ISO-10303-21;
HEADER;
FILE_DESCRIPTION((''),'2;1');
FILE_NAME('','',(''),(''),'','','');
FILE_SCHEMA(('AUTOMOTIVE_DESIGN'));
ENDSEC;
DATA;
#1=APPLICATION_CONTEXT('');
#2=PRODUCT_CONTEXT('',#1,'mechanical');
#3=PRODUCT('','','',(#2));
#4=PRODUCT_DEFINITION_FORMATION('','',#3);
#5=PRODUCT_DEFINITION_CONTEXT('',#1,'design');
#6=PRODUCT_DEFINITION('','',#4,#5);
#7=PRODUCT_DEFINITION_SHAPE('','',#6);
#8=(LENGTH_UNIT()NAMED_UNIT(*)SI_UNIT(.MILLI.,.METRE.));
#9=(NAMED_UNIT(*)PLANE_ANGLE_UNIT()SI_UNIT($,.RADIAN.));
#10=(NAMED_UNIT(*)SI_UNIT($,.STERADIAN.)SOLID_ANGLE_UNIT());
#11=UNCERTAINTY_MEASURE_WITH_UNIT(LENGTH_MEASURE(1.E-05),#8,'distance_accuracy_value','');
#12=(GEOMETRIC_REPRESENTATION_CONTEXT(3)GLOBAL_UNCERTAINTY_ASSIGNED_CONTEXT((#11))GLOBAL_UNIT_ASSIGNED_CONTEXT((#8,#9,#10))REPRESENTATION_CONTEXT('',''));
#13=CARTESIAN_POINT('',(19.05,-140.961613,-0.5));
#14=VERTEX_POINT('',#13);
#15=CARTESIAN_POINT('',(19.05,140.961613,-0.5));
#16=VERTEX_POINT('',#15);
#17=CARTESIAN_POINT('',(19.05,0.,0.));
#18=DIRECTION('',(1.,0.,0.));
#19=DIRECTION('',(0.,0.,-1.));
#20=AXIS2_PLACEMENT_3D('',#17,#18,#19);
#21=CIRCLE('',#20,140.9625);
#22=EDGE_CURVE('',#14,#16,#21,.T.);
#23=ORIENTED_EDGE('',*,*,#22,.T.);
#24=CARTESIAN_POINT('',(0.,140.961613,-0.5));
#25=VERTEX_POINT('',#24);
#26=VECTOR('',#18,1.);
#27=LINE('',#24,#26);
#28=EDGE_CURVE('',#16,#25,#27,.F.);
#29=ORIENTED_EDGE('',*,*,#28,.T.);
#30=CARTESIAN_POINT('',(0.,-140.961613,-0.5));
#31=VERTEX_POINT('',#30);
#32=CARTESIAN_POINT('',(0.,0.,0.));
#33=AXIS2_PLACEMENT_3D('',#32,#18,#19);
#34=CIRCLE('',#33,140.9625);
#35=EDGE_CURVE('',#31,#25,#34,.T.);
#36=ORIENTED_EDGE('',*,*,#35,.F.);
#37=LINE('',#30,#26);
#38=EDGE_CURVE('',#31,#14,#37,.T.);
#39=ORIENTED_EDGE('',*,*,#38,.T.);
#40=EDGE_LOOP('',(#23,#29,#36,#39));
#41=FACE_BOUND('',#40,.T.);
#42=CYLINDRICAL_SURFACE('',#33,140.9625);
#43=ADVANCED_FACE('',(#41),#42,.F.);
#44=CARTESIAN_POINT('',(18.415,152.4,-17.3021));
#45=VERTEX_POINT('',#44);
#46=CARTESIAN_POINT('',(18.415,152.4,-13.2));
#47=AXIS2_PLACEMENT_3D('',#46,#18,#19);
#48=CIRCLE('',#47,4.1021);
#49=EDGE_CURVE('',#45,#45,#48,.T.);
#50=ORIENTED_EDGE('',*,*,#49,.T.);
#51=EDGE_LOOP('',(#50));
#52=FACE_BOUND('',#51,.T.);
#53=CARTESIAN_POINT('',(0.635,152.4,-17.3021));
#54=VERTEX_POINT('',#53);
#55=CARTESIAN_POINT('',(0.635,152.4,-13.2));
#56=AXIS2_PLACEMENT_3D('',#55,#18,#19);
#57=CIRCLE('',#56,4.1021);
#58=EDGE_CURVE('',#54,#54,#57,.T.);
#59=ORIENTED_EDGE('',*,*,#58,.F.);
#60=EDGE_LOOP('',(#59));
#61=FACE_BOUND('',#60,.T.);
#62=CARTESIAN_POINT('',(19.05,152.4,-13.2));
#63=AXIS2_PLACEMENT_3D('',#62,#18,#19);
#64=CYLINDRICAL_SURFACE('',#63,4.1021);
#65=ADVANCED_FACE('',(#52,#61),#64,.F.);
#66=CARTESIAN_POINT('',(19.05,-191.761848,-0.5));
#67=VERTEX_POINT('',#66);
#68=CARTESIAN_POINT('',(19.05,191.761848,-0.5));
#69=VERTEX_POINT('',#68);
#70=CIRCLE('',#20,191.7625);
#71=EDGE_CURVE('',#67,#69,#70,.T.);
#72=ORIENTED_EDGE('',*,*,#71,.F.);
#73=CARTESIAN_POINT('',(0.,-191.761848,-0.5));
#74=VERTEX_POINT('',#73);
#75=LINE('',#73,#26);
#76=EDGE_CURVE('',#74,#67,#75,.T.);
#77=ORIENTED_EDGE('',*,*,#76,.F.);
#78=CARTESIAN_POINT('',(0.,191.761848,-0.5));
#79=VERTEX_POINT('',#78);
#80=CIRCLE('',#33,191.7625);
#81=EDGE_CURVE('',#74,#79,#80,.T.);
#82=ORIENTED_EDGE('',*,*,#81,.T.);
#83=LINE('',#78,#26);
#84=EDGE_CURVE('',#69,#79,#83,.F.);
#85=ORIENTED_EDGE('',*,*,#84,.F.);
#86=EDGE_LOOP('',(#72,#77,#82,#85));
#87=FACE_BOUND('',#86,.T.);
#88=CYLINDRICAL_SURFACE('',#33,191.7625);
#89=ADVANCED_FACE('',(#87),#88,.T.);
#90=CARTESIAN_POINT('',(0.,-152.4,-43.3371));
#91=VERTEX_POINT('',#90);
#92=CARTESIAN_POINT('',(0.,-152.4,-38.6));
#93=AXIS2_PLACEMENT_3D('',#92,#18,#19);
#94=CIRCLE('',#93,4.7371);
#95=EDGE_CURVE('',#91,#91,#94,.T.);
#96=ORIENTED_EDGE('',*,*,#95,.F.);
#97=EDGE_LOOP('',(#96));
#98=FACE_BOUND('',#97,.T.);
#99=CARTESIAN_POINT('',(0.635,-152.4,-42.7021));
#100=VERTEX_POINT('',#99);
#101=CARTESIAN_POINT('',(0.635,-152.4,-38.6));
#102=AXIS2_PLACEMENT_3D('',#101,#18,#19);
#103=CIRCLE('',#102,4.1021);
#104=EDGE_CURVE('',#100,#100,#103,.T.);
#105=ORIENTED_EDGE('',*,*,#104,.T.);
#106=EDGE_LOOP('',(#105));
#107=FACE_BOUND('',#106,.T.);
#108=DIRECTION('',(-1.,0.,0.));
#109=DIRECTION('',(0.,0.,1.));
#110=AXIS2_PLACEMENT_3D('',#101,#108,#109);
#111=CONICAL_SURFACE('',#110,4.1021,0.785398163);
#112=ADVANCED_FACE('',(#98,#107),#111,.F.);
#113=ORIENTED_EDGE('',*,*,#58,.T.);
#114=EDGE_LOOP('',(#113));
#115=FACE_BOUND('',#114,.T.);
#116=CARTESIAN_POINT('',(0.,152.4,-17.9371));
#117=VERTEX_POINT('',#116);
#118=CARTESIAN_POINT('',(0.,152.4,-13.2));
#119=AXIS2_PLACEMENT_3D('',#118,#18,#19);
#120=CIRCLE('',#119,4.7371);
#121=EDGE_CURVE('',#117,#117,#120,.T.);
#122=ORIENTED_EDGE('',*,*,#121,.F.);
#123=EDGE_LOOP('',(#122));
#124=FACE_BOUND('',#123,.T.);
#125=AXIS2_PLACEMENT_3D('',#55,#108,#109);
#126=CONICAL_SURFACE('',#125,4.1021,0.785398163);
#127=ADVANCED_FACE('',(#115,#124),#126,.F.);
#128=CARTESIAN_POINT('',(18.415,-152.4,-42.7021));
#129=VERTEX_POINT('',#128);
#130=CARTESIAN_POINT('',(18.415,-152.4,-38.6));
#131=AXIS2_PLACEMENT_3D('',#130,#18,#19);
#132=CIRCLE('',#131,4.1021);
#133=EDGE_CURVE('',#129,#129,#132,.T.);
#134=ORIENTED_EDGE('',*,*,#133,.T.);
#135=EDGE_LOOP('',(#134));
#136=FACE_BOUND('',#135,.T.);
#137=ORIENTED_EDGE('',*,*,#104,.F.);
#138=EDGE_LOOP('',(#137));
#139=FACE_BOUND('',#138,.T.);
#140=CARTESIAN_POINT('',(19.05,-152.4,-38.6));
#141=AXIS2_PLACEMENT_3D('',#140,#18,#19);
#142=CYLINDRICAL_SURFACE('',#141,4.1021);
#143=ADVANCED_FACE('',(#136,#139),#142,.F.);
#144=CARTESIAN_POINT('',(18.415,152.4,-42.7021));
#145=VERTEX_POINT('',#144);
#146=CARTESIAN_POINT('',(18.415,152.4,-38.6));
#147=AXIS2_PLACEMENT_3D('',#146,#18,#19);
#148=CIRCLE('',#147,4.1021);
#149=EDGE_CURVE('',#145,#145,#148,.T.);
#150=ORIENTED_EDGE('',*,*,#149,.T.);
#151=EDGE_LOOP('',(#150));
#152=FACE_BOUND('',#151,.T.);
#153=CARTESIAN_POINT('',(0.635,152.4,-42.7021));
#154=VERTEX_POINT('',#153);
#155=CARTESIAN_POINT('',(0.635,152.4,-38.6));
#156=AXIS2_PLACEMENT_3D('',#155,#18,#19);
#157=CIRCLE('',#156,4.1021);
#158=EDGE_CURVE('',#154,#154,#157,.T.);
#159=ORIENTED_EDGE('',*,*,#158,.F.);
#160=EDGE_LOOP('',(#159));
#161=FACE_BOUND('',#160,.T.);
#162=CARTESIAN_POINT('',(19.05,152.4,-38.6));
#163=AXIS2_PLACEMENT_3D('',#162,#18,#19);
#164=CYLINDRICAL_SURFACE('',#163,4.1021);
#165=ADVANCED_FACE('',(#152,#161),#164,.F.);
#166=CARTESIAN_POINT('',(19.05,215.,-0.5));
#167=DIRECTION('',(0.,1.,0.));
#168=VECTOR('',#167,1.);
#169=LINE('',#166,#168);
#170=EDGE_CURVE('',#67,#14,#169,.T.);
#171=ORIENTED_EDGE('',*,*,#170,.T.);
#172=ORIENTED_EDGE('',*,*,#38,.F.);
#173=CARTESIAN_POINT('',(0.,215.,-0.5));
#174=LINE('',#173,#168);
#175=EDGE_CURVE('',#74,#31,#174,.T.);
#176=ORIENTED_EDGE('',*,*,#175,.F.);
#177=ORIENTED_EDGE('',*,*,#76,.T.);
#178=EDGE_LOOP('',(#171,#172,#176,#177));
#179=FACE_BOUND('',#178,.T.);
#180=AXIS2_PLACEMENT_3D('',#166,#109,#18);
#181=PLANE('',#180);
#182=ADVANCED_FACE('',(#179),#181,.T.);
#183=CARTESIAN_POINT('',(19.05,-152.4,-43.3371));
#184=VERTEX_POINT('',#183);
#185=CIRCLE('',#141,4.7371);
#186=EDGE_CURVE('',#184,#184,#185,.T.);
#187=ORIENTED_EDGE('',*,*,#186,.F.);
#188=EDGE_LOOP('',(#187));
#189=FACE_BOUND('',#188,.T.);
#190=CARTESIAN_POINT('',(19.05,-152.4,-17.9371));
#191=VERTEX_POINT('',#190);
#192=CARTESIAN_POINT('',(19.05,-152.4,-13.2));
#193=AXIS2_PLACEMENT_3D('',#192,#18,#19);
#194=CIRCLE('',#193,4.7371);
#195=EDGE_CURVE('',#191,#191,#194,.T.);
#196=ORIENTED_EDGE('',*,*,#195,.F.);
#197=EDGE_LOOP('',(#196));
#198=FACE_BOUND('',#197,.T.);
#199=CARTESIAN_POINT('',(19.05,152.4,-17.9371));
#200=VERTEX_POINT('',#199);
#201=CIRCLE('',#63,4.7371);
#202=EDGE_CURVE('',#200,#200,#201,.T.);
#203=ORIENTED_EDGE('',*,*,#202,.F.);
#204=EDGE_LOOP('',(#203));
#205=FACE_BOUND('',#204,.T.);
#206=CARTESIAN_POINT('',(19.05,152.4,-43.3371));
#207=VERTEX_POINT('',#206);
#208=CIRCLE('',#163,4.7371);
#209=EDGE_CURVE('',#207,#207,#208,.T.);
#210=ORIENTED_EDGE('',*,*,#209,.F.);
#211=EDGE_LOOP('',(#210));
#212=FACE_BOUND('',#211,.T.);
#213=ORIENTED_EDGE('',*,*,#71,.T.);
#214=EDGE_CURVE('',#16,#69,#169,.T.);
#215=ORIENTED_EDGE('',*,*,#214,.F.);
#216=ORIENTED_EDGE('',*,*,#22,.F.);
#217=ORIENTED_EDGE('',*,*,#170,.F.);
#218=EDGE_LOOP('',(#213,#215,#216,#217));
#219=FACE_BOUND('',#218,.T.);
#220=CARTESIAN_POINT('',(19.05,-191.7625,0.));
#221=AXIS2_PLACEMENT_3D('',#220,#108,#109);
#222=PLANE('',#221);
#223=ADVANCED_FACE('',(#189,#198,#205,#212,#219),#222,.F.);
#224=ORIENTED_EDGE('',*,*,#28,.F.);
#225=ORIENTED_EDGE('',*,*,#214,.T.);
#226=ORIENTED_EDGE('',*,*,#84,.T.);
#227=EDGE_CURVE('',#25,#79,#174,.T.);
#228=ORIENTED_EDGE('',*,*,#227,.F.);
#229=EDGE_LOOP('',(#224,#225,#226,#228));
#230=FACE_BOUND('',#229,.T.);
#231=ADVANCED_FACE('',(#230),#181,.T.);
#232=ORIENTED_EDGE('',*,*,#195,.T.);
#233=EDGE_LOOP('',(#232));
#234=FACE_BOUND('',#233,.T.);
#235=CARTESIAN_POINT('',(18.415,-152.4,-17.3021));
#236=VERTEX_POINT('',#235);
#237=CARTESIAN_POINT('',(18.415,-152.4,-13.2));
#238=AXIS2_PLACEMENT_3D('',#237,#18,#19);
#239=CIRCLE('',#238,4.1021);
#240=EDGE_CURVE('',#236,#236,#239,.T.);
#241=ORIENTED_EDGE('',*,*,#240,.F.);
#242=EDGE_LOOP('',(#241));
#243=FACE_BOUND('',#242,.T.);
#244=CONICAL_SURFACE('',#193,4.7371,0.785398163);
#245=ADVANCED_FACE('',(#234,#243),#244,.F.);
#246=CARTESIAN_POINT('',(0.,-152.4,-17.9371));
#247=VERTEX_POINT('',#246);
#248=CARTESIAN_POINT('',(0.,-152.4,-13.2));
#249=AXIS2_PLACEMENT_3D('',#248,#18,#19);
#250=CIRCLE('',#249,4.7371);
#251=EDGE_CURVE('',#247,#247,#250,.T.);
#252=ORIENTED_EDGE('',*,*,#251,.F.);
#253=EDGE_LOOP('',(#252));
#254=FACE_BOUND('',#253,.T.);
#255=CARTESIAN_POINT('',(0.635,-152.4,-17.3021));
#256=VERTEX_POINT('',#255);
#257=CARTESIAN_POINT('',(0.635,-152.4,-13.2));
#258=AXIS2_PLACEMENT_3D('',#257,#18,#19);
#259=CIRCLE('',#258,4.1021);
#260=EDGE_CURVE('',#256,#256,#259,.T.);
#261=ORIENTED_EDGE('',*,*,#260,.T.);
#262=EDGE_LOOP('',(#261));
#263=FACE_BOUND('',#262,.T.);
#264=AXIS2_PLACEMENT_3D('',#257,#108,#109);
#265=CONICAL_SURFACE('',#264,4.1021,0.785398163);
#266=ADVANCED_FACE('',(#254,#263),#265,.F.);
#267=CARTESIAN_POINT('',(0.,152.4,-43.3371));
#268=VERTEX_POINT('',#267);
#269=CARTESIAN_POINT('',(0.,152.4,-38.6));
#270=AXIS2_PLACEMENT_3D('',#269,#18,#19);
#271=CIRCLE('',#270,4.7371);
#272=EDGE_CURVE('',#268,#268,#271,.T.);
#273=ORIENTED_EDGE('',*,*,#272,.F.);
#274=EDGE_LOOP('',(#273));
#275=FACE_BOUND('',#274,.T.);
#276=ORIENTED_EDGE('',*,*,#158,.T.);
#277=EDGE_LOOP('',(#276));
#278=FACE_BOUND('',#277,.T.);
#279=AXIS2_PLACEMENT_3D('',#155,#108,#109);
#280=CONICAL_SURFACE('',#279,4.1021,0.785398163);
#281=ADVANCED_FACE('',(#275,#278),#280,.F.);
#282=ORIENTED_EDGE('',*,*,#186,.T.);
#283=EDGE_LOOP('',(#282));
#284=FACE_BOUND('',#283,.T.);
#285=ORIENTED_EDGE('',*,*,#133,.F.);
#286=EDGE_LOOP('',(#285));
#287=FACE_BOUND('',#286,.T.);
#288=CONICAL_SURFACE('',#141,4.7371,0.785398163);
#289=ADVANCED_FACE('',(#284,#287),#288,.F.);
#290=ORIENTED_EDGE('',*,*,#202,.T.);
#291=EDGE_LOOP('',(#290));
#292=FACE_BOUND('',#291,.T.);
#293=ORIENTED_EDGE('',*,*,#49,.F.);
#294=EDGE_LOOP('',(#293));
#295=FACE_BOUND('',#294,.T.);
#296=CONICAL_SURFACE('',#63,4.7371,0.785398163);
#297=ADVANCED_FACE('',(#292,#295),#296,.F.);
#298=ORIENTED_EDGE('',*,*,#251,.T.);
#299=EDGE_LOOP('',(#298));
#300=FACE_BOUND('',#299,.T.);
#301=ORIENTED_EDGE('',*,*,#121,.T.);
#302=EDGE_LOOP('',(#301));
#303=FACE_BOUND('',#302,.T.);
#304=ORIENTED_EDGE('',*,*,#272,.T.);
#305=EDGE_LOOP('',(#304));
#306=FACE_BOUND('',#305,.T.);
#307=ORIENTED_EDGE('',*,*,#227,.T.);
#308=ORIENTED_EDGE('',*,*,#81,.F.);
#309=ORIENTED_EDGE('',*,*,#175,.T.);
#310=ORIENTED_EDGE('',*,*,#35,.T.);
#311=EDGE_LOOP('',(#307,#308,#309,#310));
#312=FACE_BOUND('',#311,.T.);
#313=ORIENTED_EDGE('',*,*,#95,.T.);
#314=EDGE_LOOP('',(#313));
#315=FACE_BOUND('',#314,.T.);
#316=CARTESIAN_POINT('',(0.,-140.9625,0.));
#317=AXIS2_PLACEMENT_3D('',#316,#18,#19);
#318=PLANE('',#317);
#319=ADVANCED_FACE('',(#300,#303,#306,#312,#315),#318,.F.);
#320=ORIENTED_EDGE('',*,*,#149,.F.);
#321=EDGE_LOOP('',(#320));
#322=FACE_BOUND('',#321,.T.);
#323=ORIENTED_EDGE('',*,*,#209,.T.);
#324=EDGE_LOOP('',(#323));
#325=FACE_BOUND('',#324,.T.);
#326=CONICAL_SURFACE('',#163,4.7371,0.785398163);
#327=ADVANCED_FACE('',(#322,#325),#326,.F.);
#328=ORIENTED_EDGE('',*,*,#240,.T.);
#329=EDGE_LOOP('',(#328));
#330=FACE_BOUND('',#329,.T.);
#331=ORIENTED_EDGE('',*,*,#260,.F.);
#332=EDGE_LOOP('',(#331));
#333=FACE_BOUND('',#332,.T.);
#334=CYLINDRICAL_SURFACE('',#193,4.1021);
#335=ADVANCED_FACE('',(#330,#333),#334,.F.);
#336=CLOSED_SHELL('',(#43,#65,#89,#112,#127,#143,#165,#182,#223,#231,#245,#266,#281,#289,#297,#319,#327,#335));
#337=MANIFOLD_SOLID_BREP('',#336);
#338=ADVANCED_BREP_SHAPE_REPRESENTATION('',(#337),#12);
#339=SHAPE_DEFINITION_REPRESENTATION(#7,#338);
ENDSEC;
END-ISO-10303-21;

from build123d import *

# Parameters (mm, degrees)
SKETCH1_W                         = 19.05
SKETCH1_H                         = 50.8
REVOLVE_THIN1_ANGLE               = 180
SKETCH81_W                        = 0.5
SKETCH81_H                        = 430
EXTRUDE1_DEPTH                    = 20.05
F_5_16_CLEARANCE_HOLE1_AT_2_COUNT = 2
F_5_16_CLEARANCE_HOLE1_AT_2_PITCH = 25.4
F_5_16_CLEARANCE_HOLE1_AT_3_COUNT = 2
F_5_16_CLEARANCE_HOLE1_AT_3_PITCH = 304.8
F_5_16_CLEARANCE_HOLE1_AT_4_COUNT = 2
F_5_16_CLEARANCE_HOLE1_AT_4_PITCH = 305.856502301


with BuildPart() as part:
    # Sketch1 → Revolve-Thin1 (revolve)
    with BuildSketch(Plane.XY):
        with Locations((9.525, 166.3625)):
            Rectangle(SKETCH1_W, SKETCH1_H)
    revolve(axis=Axis((0, 0, 0), (-1, 0, 0)), revolution_arc=REVOLVE_THIN1_ANGLE)

    # Sketch81 → Extrude1 (cut, through all)
    with BuildSketch(Plane(origin=(0, 0, 0), x_dir=(0, 0, -1), z_dir=(1, 0, 0))):
        with Locations((0.25, 0)):
            Rectangle(SKETCH81_W, SKETCH81_H)
    extrude(amount=EXTRUDE1_DEPTH, mode=Mode.SUBTRACT)

    # Sketch82 → 5_16 Clearance Hole1 (revolve, cut)
    with BuildSketch(Plane(origin=(19.05, 152.4, -38.6), x_dir=(0, 0, -1), z_dir=(0, 1, 0))):
        Polygon((0, 0), (0, 19.05), (4.7371, 19.05), (4.1021, 18.415), (4.1021, 0.635), (4.7371, 0), align=None)
    f_5_16_clearance_hole1 = revolve(axis=Axis((25.4, 152.4, -38.6), (-1, 0, 0)), mode=Mode.SUBTRACT)

    # 5_16 Clearance Hole1 at 2: 5_16 Clearance Hole1 ×2
    with Locations(*[(0, 0, i * F_5_16_CLEARANCE_HOLE1_AT_2_PITCH) for i in range(1, F_5_16_CLEARANCE_HOLE1_AT_2_COUNT)]):
        add(f_5_16_clearance_hole1, mode=Mode.SUBTRACT)

    # 5_16 Clearance Hole1 at 3: 5_16 Clearance Hole1 ×2
    with Locations(*[(0, -i * F_5_16_CLEARANCE_HOLE1_AT_3_PITCH, 0) for i in range(1, F_5_16_CLEARANCE_HOLE1_AT_3_COUNT)]):
        add(f_5_16_clearance_hole1, mode=Mode.SUBTRACT)

    # 5_16 Clearance Hole1 at 4: 5_16 Clearance Hole1 ×2
    with Locations(*[Vector(0, -0.996545758, 0.08304548) * (i * F_5_16_CLEARANCE_HOLE1_AT_4_PITCH) for i in range(1, F_5_16_CLEARANCE_HOLE1_AT_4_COUNT)]):
        add(f_5_16_clearance_hole1, mode=Mode.SUBTRACT)


solid = part.part
